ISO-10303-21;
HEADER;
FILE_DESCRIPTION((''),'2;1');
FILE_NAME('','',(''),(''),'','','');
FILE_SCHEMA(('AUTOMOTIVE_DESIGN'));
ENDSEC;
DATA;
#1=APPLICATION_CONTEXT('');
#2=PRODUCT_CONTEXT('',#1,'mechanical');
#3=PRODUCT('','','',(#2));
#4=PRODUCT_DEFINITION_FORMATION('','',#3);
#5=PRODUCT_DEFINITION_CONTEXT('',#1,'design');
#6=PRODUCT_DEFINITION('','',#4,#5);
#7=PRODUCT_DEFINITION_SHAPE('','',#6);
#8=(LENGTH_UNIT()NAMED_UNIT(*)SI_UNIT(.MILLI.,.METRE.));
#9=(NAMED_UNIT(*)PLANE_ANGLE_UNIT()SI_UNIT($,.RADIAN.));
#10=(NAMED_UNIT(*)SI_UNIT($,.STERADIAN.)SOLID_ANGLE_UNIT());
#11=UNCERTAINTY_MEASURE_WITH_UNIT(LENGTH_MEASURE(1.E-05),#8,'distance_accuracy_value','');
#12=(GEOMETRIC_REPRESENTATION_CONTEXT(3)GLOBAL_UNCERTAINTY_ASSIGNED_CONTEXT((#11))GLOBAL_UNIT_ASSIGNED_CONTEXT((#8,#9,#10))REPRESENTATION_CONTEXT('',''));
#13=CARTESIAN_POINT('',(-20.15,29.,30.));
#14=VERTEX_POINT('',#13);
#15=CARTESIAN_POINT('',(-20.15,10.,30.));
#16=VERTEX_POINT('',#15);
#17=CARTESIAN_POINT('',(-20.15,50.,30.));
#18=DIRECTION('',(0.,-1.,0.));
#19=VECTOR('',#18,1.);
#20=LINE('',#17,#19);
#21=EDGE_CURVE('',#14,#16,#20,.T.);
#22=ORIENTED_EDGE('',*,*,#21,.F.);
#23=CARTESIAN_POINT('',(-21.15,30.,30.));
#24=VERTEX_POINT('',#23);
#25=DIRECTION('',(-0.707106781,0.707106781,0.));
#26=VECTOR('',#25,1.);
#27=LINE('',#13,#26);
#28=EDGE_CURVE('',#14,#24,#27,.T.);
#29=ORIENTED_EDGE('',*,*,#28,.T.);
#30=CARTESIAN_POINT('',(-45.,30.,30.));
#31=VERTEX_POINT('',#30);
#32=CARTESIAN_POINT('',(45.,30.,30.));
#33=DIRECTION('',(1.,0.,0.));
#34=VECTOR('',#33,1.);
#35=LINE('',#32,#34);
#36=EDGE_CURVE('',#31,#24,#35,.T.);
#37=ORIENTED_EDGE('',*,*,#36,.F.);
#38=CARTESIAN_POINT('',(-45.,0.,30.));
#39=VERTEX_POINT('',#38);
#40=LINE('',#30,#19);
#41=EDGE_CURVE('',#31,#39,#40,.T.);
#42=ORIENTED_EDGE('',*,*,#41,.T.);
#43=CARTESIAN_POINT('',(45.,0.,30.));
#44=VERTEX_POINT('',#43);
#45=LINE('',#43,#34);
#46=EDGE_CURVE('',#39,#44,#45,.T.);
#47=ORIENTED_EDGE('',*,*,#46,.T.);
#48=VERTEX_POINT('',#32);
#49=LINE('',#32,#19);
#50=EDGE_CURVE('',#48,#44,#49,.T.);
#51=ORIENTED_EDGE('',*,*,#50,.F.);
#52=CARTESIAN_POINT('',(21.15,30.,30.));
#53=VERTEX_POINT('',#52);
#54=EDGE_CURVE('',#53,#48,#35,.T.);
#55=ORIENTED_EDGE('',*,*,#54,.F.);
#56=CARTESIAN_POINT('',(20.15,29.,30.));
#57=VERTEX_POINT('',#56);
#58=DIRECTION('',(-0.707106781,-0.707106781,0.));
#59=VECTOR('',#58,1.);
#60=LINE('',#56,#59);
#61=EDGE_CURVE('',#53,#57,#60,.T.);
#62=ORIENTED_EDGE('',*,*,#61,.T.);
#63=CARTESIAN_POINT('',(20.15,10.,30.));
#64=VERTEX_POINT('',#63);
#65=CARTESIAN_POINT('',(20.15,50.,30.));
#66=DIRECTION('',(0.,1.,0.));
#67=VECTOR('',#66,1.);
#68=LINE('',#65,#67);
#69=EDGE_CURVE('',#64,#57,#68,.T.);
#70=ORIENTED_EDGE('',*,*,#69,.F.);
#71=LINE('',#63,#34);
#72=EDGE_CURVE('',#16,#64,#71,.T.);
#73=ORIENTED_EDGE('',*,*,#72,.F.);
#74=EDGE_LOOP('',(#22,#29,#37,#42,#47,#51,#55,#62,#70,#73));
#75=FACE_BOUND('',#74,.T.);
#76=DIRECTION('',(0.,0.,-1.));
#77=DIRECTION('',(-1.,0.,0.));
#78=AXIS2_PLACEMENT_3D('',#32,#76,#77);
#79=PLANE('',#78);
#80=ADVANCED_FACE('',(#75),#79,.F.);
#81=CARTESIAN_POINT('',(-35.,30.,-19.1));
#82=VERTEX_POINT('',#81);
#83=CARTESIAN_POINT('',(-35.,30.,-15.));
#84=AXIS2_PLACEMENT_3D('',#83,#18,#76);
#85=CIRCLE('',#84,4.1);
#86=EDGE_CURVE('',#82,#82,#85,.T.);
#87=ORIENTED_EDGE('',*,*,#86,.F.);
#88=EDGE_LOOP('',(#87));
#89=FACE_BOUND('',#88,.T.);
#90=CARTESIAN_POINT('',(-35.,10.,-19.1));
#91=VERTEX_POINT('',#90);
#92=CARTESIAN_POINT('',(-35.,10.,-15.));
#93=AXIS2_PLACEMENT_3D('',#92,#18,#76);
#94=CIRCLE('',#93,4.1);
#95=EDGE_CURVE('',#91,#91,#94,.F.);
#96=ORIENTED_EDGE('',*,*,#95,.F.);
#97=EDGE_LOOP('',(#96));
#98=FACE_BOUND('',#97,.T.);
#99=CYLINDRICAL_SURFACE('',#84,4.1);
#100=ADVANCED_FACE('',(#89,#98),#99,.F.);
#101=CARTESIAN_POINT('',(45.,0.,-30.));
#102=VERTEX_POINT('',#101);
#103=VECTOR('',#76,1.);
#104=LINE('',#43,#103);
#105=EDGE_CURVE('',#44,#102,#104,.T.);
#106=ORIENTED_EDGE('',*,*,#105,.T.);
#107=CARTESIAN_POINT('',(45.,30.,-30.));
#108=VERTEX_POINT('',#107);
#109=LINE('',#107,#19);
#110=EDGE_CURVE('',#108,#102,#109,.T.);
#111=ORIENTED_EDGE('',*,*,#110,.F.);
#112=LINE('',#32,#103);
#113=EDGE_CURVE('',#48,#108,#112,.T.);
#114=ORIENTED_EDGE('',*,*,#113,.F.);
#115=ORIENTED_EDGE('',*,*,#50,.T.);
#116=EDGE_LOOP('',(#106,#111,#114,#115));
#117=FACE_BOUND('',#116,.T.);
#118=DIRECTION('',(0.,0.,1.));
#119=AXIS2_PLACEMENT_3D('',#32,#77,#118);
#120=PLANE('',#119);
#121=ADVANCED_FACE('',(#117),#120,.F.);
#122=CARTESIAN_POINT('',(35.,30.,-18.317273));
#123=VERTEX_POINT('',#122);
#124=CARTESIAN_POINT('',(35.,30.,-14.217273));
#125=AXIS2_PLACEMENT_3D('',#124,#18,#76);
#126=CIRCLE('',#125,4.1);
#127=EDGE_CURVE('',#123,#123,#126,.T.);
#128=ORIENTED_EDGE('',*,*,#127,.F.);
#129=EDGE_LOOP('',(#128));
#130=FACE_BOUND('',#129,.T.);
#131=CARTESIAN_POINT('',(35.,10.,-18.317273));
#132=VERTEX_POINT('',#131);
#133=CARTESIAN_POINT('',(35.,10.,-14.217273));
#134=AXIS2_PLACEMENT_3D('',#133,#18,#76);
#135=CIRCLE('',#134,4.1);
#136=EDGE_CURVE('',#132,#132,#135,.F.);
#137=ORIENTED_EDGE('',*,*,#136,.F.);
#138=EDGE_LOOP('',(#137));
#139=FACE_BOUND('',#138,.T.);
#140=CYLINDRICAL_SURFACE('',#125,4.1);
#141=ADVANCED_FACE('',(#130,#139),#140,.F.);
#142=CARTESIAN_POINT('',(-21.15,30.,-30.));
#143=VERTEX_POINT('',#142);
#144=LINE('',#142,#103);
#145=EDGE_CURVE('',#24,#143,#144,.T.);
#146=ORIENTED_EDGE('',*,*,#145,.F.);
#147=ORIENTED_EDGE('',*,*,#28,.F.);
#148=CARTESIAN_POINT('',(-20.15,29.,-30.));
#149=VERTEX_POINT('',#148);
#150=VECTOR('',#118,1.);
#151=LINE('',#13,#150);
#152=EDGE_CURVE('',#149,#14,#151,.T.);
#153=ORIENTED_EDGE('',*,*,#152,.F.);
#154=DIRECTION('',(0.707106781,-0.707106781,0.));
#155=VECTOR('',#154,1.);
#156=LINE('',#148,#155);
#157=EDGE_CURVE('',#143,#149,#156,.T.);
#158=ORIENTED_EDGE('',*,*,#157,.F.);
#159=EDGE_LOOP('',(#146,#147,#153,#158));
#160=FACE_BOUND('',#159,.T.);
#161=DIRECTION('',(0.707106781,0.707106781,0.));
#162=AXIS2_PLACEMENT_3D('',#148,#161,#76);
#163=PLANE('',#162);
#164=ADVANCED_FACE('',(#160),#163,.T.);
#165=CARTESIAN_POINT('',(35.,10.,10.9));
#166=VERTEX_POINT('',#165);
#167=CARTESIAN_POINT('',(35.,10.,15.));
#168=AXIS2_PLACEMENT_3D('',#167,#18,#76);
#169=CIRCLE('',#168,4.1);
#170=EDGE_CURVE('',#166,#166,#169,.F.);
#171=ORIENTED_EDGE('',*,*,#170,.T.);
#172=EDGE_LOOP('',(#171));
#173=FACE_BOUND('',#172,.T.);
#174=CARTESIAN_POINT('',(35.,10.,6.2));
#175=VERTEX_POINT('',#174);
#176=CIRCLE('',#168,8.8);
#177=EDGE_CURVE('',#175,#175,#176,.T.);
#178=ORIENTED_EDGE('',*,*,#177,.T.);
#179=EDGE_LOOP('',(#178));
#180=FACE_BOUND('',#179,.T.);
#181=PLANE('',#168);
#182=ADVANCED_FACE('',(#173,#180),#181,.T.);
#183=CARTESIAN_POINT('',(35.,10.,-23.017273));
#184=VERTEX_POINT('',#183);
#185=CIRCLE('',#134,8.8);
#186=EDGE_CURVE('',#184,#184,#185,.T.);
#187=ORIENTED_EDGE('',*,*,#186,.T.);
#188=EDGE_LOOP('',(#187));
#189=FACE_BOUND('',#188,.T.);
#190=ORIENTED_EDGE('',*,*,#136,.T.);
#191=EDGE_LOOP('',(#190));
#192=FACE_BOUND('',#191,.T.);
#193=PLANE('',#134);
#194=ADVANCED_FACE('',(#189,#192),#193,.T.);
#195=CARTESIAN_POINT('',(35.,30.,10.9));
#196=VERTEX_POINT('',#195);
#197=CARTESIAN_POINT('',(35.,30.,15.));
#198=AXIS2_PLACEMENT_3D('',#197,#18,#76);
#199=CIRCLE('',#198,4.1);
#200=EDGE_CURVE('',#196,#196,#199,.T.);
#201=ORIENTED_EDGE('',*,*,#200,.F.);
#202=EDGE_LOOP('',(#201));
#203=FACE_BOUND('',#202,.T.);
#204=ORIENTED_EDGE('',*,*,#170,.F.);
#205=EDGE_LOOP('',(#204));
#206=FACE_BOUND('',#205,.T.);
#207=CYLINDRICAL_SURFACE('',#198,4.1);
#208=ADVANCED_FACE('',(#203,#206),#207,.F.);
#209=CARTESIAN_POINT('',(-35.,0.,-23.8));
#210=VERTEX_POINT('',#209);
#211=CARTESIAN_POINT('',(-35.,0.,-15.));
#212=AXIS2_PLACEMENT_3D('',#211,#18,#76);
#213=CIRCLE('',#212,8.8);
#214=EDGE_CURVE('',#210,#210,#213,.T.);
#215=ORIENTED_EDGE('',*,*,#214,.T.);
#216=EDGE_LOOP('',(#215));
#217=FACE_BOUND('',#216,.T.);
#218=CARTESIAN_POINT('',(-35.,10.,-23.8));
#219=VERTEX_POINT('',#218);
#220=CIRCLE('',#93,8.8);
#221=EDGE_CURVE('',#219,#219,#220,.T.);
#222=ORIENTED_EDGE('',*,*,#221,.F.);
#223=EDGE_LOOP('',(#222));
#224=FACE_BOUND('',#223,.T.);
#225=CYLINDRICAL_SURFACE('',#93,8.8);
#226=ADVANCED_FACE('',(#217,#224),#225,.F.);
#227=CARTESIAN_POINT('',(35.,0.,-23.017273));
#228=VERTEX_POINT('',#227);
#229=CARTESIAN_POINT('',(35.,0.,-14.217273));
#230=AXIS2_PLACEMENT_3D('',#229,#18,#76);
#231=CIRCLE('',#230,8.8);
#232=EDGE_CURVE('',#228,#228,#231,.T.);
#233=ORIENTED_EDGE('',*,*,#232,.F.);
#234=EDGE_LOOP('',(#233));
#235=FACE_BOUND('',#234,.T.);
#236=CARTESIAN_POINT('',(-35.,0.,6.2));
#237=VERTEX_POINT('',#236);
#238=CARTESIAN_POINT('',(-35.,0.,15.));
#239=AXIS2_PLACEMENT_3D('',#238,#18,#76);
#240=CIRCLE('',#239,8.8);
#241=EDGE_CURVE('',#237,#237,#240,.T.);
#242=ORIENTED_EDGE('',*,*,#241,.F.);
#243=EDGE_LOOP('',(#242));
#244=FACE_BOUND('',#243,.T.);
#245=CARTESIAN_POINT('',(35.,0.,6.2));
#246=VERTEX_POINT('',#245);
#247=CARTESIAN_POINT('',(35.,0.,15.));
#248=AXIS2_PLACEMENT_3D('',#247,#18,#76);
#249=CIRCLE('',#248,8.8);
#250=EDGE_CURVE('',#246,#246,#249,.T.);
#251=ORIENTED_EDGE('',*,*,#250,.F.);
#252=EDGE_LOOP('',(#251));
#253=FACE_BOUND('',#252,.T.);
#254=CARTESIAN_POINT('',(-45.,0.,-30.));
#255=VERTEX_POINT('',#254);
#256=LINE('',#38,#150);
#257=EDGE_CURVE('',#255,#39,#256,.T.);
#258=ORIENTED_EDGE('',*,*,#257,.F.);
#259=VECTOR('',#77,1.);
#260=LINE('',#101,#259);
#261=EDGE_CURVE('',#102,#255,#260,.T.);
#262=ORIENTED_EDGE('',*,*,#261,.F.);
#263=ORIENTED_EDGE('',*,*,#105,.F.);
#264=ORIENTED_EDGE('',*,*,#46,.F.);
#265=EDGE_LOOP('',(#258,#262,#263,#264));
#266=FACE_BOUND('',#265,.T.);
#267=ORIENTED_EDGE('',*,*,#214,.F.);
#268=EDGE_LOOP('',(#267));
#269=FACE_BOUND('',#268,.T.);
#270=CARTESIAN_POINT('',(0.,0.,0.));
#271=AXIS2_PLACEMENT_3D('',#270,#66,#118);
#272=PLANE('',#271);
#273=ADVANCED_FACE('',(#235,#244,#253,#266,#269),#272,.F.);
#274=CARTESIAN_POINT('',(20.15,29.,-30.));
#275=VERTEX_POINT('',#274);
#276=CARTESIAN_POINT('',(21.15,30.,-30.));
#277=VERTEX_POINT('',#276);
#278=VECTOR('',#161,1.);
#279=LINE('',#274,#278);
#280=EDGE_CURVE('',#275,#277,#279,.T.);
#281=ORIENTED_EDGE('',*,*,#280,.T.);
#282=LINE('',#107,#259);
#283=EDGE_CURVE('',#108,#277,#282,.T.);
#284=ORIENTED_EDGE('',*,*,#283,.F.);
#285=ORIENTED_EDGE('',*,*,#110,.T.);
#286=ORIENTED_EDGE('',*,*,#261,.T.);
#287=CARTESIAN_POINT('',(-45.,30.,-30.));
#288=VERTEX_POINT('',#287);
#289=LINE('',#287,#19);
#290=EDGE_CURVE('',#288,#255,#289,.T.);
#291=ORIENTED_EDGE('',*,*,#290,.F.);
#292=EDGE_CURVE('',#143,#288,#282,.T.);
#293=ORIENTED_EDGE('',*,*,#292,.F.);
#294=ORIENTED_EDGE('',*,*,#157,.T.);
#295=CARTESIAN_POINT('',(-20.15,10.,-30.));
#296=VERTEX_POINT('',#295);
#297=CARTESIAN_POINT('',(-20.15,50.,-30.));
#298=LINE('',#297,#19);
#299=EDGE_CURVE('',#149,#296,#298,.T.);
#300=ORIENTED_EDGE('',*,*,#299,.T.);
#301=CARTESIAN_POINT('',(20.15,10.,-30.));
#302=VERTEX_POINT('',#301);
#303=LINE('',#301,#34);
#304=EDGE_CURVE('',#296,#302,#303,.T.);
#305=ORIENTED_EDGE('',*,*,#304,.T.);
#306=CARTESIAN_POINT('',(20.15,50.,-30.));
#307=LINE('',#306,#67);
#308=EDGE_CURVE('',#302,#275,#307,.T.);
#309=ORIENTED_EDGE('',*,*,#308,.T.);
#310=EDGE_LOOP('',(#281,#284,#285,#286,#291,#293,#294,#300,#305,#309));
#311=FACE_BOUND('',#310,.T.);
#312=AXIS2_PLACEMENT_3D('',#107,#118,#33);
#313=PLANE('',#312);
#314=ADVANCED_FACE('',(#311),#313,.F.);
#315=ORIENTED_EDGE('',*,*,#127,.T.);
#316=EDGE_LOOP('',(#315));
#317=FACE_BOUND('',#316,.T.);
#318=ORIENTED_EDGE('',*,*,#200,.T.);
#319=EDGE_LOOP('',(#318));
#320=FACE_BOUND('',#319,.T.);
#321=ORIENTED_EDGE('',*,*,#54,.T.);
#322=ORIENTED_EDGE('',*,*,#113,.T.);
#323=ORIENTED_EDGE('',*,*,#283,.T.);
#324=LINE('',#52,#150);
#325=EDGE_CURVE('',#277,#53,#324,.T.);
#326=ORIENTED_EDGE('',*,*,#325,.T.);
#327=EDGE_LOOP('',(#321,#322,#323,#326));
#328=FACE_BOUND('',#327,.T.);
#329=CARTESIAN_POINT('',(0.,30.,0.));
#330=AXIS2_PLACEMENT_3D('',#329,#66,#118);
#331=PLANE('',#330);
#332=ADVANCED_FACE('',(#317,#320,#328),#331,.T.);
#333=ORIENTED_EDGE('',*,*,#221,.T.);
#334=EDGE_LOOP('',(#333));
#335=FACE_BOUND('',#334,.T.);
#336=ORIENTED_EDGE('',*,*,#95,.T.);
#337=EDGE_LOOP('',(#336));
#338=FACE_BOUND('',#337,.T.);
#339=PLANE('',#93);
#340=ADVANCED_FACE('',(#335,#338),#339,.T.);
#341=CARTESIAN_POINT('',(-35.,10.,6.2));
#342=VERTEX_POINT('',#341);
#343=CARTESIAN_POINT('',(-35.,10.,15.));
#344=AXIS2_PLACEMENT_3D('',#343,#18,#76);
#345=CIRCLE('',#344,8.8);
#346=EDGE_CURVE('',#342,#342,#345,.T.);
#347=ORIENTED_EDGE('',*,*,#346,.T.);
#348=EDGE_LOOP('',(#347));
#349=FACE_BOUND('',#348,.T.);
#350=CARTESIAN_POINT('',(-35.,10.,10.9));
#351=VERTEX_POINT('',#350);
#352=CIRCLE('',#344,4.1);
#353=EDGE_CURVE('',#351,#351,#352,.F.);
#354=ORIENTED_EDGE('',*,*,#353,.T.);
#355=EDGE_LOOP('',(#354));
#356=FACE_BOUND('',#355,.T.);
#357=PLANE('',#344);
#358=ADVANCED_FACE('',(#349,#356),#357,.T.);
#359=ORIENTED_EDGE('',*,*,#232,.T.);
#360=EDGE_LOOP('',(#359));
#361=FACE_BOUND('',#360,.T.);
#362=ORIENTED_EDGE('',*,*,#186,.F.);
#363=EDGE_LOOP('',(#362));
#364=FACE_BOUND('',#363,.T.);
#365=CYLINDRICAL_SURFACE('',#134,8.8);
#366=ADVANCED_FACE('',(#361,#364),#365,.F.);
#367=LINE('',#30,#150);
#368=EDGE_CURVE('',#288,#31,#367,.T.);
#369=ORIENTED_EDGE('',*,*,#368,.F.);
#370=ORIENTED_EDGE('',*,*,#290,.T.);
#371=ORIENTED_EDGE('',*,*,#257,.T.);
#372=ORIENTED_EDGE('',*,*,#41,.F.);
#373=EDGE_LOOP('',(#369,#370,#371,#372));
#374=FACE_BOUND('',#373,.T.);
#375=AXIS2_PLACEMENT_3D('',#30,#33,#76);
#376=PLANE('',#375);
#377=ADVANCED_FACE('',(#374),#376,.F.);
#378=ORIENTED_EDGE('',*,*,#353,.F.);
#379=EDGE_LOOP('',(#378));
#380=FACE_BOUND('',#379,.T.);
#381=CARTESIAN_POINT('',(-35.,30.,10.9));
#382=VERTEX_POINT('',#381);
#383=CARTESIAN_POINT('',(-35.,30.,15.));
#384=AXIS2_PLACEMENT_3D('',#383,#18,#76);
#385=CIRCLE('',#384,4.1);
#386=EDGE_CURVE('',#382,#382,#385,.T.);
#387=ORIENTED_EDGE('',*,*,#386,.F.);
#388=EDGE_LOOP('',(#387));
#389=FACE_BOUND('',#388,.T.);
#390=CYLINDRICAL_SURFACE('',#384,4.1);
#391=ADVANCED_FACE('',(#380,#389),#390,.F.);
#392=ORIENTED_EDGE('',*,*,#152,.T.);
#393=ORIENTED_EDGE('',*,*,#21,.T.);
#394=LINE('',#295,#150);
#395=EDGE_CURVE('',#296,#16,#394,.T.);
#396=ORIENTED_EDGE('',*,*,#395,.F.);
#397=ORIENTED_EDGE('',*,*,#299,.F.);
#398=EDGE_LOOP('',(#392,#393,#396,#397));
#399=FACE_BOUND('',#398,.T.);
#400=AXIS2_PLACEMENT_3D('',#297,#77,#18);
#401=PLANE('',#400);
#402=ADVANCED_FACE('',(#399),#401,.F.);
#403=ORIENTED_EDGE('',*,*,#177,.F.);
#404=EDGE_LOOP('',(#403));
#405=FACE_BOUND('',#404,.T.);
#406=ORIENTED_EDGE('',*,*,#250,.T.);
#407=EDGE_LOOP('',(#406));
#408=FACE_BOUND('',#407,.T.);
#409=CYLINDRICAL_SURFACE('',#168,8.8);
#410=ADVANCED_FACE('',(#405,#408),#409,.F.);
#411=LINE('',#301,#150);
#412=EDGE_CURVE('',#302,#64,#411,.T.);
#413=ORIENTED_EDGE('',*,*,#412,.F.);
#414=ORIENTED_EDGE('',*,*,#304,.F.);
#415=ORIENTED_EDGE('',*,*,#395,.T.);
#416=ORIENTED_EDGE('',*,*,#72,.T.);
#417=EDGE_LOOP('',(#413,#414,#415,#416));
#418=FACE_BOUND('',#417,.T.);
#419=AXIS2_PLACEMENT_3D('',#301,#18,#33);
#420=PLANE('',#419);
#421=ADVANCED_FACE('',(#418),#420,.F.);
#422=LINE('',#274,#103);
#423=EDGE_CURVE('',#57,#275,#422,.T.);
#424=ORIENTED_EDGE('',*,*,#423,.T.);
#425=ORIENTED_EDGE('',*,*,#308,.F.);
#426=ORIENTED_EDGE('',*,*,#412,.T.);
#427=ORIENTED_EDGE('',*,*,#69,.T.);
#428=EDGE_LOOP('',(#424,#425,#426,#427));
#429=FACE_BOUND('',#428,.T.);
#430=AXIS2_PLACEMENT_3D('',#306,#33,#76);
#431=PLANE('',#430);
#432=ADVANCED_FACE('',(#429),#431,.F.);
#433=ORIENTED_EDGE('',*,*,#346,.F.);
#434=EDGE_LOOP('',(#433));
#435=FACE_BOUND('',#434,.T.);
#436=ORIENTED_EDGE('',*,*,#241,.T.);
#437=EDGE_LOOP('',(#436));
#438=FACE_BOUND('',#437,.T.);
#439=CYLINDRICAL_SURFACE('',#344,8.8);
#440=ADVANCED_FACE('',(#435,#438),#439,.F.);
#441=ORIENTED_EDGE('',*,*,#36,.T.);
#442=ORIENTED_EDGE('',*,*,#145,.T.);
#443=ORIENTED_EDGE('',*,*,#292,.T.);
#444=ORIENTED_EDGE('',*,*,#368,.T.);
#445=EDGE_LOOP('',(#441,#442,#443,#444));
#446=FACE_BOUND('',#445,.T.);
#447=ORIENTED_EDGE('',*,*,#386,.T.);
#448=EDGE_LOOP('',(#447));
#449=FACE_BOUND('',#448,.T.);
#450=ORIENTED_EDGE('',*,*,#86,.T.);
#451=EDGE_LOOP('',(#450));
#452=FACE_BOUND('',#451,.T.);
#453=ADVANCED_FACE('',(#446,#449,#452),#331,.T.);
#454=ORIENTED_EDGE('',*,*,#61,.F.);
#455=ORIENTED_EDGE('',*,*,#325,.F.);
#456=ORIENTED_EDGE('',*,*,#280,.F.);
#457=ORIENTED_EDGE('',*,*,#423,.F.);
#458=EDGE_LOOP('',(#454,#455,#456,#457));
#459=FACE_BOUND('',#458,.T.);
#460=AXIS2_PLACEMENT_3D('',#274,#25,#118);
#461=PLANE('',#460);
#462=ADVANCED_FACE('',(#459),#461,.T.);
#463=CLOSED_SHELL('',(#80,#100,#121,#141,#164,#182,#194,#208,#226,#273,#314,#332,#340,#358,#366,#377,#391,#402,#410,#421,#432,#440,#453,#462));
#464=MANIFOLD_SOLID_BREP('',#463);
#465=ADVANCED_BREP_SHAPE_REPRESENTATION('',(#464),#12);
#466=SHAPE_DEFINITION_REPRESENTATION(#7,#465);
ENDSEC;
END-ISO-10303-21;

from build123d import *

# Parameters (mm, degrees)
SKETCH1_W           = 90
SKETCH1_H           = 60
BOSS_EXTRUDE1_DEPTH = 30
SKETCH2_W           = 40.3
SKETCH2_H           = 40
CUT_EXTRUDE1_DEPTH  = 61
SKETCH3_R           = 4.1
CUT_EXTRUDE2_DEPTH  = 31
SKETCH4_R           = 8.8
CUT_EXTRUDE3_DEPTH  = 10
CHAMFER1_SIZE       = 1


with BuildPart() as part:
    # Sketch1 → Boss-Extrude1 (new body)
    with BuildSketch(Plane(origin=(0, 0, 0), x_dir=(1, 0, 0), z_dir=(0, 1, 0))):
        Rectangle(SKETCH1_W, SKETCH1_H)
    extrude(amount=BOSS_EXTRUDE1_DEPTH)

    # Sketch2 → Cut-Extrude1 (cut, through all)
    with BuildSketch(Plane.XY.offset(30)):
        with Locations((0, 30)):
            Rectangle(SKETCH2_W, SKETCH2_H)
    extrude(amount=-CUT_EXTRUDE1_DEPTH, mode=Mode.SUBTRACT)

    # Sketch3 → Cut-Extrude2 (cut, through all)
    with BuildSketch(Plane.XZ):
        with Locations((-35, 15)):
            Circle(SKETCH3_R)
        with Locations((-35, -15)):
            Circle(SKETCH3_R)
        with Locations((35, -14.217273236)):
            Circle(SKETCH3_R)
        with Locations((35, 15)):
            Circle(SKETCH3_R)
    extrude(amount=-CUT_EXTRUDE2_DEPTH, mode=Mode.SUBTRACT)

    # Sketch4 → Cut-Extrude3 (cut)
    with BuildSketch(Plane.XZ):
        with Locations((35, 15)):
            Circle(SKETCH4_R)
        with Locations((35, -14.217273236)):
            Circle(SKETCH4_R)
        with Locations((-35, 15)):
            Circle(SKETCH4_R)
        with Locations((-35, -15)):
            Circle(SKETCH4_R)
    extrude(amount=-CUT_EXTRUDE3_DEPTH, mode=Mode.SUBTRACT)

    # Chamfer1
    chamfer1_edges = [part.edges().sort_by_distance(p)[0] for p in [
        (20.15, 30, 0),
        (-20.15, 30, 0),
    ]]
    chamfer(chamfer1_edges, length=CHAMFER1_SIZE)


solid = part.part
